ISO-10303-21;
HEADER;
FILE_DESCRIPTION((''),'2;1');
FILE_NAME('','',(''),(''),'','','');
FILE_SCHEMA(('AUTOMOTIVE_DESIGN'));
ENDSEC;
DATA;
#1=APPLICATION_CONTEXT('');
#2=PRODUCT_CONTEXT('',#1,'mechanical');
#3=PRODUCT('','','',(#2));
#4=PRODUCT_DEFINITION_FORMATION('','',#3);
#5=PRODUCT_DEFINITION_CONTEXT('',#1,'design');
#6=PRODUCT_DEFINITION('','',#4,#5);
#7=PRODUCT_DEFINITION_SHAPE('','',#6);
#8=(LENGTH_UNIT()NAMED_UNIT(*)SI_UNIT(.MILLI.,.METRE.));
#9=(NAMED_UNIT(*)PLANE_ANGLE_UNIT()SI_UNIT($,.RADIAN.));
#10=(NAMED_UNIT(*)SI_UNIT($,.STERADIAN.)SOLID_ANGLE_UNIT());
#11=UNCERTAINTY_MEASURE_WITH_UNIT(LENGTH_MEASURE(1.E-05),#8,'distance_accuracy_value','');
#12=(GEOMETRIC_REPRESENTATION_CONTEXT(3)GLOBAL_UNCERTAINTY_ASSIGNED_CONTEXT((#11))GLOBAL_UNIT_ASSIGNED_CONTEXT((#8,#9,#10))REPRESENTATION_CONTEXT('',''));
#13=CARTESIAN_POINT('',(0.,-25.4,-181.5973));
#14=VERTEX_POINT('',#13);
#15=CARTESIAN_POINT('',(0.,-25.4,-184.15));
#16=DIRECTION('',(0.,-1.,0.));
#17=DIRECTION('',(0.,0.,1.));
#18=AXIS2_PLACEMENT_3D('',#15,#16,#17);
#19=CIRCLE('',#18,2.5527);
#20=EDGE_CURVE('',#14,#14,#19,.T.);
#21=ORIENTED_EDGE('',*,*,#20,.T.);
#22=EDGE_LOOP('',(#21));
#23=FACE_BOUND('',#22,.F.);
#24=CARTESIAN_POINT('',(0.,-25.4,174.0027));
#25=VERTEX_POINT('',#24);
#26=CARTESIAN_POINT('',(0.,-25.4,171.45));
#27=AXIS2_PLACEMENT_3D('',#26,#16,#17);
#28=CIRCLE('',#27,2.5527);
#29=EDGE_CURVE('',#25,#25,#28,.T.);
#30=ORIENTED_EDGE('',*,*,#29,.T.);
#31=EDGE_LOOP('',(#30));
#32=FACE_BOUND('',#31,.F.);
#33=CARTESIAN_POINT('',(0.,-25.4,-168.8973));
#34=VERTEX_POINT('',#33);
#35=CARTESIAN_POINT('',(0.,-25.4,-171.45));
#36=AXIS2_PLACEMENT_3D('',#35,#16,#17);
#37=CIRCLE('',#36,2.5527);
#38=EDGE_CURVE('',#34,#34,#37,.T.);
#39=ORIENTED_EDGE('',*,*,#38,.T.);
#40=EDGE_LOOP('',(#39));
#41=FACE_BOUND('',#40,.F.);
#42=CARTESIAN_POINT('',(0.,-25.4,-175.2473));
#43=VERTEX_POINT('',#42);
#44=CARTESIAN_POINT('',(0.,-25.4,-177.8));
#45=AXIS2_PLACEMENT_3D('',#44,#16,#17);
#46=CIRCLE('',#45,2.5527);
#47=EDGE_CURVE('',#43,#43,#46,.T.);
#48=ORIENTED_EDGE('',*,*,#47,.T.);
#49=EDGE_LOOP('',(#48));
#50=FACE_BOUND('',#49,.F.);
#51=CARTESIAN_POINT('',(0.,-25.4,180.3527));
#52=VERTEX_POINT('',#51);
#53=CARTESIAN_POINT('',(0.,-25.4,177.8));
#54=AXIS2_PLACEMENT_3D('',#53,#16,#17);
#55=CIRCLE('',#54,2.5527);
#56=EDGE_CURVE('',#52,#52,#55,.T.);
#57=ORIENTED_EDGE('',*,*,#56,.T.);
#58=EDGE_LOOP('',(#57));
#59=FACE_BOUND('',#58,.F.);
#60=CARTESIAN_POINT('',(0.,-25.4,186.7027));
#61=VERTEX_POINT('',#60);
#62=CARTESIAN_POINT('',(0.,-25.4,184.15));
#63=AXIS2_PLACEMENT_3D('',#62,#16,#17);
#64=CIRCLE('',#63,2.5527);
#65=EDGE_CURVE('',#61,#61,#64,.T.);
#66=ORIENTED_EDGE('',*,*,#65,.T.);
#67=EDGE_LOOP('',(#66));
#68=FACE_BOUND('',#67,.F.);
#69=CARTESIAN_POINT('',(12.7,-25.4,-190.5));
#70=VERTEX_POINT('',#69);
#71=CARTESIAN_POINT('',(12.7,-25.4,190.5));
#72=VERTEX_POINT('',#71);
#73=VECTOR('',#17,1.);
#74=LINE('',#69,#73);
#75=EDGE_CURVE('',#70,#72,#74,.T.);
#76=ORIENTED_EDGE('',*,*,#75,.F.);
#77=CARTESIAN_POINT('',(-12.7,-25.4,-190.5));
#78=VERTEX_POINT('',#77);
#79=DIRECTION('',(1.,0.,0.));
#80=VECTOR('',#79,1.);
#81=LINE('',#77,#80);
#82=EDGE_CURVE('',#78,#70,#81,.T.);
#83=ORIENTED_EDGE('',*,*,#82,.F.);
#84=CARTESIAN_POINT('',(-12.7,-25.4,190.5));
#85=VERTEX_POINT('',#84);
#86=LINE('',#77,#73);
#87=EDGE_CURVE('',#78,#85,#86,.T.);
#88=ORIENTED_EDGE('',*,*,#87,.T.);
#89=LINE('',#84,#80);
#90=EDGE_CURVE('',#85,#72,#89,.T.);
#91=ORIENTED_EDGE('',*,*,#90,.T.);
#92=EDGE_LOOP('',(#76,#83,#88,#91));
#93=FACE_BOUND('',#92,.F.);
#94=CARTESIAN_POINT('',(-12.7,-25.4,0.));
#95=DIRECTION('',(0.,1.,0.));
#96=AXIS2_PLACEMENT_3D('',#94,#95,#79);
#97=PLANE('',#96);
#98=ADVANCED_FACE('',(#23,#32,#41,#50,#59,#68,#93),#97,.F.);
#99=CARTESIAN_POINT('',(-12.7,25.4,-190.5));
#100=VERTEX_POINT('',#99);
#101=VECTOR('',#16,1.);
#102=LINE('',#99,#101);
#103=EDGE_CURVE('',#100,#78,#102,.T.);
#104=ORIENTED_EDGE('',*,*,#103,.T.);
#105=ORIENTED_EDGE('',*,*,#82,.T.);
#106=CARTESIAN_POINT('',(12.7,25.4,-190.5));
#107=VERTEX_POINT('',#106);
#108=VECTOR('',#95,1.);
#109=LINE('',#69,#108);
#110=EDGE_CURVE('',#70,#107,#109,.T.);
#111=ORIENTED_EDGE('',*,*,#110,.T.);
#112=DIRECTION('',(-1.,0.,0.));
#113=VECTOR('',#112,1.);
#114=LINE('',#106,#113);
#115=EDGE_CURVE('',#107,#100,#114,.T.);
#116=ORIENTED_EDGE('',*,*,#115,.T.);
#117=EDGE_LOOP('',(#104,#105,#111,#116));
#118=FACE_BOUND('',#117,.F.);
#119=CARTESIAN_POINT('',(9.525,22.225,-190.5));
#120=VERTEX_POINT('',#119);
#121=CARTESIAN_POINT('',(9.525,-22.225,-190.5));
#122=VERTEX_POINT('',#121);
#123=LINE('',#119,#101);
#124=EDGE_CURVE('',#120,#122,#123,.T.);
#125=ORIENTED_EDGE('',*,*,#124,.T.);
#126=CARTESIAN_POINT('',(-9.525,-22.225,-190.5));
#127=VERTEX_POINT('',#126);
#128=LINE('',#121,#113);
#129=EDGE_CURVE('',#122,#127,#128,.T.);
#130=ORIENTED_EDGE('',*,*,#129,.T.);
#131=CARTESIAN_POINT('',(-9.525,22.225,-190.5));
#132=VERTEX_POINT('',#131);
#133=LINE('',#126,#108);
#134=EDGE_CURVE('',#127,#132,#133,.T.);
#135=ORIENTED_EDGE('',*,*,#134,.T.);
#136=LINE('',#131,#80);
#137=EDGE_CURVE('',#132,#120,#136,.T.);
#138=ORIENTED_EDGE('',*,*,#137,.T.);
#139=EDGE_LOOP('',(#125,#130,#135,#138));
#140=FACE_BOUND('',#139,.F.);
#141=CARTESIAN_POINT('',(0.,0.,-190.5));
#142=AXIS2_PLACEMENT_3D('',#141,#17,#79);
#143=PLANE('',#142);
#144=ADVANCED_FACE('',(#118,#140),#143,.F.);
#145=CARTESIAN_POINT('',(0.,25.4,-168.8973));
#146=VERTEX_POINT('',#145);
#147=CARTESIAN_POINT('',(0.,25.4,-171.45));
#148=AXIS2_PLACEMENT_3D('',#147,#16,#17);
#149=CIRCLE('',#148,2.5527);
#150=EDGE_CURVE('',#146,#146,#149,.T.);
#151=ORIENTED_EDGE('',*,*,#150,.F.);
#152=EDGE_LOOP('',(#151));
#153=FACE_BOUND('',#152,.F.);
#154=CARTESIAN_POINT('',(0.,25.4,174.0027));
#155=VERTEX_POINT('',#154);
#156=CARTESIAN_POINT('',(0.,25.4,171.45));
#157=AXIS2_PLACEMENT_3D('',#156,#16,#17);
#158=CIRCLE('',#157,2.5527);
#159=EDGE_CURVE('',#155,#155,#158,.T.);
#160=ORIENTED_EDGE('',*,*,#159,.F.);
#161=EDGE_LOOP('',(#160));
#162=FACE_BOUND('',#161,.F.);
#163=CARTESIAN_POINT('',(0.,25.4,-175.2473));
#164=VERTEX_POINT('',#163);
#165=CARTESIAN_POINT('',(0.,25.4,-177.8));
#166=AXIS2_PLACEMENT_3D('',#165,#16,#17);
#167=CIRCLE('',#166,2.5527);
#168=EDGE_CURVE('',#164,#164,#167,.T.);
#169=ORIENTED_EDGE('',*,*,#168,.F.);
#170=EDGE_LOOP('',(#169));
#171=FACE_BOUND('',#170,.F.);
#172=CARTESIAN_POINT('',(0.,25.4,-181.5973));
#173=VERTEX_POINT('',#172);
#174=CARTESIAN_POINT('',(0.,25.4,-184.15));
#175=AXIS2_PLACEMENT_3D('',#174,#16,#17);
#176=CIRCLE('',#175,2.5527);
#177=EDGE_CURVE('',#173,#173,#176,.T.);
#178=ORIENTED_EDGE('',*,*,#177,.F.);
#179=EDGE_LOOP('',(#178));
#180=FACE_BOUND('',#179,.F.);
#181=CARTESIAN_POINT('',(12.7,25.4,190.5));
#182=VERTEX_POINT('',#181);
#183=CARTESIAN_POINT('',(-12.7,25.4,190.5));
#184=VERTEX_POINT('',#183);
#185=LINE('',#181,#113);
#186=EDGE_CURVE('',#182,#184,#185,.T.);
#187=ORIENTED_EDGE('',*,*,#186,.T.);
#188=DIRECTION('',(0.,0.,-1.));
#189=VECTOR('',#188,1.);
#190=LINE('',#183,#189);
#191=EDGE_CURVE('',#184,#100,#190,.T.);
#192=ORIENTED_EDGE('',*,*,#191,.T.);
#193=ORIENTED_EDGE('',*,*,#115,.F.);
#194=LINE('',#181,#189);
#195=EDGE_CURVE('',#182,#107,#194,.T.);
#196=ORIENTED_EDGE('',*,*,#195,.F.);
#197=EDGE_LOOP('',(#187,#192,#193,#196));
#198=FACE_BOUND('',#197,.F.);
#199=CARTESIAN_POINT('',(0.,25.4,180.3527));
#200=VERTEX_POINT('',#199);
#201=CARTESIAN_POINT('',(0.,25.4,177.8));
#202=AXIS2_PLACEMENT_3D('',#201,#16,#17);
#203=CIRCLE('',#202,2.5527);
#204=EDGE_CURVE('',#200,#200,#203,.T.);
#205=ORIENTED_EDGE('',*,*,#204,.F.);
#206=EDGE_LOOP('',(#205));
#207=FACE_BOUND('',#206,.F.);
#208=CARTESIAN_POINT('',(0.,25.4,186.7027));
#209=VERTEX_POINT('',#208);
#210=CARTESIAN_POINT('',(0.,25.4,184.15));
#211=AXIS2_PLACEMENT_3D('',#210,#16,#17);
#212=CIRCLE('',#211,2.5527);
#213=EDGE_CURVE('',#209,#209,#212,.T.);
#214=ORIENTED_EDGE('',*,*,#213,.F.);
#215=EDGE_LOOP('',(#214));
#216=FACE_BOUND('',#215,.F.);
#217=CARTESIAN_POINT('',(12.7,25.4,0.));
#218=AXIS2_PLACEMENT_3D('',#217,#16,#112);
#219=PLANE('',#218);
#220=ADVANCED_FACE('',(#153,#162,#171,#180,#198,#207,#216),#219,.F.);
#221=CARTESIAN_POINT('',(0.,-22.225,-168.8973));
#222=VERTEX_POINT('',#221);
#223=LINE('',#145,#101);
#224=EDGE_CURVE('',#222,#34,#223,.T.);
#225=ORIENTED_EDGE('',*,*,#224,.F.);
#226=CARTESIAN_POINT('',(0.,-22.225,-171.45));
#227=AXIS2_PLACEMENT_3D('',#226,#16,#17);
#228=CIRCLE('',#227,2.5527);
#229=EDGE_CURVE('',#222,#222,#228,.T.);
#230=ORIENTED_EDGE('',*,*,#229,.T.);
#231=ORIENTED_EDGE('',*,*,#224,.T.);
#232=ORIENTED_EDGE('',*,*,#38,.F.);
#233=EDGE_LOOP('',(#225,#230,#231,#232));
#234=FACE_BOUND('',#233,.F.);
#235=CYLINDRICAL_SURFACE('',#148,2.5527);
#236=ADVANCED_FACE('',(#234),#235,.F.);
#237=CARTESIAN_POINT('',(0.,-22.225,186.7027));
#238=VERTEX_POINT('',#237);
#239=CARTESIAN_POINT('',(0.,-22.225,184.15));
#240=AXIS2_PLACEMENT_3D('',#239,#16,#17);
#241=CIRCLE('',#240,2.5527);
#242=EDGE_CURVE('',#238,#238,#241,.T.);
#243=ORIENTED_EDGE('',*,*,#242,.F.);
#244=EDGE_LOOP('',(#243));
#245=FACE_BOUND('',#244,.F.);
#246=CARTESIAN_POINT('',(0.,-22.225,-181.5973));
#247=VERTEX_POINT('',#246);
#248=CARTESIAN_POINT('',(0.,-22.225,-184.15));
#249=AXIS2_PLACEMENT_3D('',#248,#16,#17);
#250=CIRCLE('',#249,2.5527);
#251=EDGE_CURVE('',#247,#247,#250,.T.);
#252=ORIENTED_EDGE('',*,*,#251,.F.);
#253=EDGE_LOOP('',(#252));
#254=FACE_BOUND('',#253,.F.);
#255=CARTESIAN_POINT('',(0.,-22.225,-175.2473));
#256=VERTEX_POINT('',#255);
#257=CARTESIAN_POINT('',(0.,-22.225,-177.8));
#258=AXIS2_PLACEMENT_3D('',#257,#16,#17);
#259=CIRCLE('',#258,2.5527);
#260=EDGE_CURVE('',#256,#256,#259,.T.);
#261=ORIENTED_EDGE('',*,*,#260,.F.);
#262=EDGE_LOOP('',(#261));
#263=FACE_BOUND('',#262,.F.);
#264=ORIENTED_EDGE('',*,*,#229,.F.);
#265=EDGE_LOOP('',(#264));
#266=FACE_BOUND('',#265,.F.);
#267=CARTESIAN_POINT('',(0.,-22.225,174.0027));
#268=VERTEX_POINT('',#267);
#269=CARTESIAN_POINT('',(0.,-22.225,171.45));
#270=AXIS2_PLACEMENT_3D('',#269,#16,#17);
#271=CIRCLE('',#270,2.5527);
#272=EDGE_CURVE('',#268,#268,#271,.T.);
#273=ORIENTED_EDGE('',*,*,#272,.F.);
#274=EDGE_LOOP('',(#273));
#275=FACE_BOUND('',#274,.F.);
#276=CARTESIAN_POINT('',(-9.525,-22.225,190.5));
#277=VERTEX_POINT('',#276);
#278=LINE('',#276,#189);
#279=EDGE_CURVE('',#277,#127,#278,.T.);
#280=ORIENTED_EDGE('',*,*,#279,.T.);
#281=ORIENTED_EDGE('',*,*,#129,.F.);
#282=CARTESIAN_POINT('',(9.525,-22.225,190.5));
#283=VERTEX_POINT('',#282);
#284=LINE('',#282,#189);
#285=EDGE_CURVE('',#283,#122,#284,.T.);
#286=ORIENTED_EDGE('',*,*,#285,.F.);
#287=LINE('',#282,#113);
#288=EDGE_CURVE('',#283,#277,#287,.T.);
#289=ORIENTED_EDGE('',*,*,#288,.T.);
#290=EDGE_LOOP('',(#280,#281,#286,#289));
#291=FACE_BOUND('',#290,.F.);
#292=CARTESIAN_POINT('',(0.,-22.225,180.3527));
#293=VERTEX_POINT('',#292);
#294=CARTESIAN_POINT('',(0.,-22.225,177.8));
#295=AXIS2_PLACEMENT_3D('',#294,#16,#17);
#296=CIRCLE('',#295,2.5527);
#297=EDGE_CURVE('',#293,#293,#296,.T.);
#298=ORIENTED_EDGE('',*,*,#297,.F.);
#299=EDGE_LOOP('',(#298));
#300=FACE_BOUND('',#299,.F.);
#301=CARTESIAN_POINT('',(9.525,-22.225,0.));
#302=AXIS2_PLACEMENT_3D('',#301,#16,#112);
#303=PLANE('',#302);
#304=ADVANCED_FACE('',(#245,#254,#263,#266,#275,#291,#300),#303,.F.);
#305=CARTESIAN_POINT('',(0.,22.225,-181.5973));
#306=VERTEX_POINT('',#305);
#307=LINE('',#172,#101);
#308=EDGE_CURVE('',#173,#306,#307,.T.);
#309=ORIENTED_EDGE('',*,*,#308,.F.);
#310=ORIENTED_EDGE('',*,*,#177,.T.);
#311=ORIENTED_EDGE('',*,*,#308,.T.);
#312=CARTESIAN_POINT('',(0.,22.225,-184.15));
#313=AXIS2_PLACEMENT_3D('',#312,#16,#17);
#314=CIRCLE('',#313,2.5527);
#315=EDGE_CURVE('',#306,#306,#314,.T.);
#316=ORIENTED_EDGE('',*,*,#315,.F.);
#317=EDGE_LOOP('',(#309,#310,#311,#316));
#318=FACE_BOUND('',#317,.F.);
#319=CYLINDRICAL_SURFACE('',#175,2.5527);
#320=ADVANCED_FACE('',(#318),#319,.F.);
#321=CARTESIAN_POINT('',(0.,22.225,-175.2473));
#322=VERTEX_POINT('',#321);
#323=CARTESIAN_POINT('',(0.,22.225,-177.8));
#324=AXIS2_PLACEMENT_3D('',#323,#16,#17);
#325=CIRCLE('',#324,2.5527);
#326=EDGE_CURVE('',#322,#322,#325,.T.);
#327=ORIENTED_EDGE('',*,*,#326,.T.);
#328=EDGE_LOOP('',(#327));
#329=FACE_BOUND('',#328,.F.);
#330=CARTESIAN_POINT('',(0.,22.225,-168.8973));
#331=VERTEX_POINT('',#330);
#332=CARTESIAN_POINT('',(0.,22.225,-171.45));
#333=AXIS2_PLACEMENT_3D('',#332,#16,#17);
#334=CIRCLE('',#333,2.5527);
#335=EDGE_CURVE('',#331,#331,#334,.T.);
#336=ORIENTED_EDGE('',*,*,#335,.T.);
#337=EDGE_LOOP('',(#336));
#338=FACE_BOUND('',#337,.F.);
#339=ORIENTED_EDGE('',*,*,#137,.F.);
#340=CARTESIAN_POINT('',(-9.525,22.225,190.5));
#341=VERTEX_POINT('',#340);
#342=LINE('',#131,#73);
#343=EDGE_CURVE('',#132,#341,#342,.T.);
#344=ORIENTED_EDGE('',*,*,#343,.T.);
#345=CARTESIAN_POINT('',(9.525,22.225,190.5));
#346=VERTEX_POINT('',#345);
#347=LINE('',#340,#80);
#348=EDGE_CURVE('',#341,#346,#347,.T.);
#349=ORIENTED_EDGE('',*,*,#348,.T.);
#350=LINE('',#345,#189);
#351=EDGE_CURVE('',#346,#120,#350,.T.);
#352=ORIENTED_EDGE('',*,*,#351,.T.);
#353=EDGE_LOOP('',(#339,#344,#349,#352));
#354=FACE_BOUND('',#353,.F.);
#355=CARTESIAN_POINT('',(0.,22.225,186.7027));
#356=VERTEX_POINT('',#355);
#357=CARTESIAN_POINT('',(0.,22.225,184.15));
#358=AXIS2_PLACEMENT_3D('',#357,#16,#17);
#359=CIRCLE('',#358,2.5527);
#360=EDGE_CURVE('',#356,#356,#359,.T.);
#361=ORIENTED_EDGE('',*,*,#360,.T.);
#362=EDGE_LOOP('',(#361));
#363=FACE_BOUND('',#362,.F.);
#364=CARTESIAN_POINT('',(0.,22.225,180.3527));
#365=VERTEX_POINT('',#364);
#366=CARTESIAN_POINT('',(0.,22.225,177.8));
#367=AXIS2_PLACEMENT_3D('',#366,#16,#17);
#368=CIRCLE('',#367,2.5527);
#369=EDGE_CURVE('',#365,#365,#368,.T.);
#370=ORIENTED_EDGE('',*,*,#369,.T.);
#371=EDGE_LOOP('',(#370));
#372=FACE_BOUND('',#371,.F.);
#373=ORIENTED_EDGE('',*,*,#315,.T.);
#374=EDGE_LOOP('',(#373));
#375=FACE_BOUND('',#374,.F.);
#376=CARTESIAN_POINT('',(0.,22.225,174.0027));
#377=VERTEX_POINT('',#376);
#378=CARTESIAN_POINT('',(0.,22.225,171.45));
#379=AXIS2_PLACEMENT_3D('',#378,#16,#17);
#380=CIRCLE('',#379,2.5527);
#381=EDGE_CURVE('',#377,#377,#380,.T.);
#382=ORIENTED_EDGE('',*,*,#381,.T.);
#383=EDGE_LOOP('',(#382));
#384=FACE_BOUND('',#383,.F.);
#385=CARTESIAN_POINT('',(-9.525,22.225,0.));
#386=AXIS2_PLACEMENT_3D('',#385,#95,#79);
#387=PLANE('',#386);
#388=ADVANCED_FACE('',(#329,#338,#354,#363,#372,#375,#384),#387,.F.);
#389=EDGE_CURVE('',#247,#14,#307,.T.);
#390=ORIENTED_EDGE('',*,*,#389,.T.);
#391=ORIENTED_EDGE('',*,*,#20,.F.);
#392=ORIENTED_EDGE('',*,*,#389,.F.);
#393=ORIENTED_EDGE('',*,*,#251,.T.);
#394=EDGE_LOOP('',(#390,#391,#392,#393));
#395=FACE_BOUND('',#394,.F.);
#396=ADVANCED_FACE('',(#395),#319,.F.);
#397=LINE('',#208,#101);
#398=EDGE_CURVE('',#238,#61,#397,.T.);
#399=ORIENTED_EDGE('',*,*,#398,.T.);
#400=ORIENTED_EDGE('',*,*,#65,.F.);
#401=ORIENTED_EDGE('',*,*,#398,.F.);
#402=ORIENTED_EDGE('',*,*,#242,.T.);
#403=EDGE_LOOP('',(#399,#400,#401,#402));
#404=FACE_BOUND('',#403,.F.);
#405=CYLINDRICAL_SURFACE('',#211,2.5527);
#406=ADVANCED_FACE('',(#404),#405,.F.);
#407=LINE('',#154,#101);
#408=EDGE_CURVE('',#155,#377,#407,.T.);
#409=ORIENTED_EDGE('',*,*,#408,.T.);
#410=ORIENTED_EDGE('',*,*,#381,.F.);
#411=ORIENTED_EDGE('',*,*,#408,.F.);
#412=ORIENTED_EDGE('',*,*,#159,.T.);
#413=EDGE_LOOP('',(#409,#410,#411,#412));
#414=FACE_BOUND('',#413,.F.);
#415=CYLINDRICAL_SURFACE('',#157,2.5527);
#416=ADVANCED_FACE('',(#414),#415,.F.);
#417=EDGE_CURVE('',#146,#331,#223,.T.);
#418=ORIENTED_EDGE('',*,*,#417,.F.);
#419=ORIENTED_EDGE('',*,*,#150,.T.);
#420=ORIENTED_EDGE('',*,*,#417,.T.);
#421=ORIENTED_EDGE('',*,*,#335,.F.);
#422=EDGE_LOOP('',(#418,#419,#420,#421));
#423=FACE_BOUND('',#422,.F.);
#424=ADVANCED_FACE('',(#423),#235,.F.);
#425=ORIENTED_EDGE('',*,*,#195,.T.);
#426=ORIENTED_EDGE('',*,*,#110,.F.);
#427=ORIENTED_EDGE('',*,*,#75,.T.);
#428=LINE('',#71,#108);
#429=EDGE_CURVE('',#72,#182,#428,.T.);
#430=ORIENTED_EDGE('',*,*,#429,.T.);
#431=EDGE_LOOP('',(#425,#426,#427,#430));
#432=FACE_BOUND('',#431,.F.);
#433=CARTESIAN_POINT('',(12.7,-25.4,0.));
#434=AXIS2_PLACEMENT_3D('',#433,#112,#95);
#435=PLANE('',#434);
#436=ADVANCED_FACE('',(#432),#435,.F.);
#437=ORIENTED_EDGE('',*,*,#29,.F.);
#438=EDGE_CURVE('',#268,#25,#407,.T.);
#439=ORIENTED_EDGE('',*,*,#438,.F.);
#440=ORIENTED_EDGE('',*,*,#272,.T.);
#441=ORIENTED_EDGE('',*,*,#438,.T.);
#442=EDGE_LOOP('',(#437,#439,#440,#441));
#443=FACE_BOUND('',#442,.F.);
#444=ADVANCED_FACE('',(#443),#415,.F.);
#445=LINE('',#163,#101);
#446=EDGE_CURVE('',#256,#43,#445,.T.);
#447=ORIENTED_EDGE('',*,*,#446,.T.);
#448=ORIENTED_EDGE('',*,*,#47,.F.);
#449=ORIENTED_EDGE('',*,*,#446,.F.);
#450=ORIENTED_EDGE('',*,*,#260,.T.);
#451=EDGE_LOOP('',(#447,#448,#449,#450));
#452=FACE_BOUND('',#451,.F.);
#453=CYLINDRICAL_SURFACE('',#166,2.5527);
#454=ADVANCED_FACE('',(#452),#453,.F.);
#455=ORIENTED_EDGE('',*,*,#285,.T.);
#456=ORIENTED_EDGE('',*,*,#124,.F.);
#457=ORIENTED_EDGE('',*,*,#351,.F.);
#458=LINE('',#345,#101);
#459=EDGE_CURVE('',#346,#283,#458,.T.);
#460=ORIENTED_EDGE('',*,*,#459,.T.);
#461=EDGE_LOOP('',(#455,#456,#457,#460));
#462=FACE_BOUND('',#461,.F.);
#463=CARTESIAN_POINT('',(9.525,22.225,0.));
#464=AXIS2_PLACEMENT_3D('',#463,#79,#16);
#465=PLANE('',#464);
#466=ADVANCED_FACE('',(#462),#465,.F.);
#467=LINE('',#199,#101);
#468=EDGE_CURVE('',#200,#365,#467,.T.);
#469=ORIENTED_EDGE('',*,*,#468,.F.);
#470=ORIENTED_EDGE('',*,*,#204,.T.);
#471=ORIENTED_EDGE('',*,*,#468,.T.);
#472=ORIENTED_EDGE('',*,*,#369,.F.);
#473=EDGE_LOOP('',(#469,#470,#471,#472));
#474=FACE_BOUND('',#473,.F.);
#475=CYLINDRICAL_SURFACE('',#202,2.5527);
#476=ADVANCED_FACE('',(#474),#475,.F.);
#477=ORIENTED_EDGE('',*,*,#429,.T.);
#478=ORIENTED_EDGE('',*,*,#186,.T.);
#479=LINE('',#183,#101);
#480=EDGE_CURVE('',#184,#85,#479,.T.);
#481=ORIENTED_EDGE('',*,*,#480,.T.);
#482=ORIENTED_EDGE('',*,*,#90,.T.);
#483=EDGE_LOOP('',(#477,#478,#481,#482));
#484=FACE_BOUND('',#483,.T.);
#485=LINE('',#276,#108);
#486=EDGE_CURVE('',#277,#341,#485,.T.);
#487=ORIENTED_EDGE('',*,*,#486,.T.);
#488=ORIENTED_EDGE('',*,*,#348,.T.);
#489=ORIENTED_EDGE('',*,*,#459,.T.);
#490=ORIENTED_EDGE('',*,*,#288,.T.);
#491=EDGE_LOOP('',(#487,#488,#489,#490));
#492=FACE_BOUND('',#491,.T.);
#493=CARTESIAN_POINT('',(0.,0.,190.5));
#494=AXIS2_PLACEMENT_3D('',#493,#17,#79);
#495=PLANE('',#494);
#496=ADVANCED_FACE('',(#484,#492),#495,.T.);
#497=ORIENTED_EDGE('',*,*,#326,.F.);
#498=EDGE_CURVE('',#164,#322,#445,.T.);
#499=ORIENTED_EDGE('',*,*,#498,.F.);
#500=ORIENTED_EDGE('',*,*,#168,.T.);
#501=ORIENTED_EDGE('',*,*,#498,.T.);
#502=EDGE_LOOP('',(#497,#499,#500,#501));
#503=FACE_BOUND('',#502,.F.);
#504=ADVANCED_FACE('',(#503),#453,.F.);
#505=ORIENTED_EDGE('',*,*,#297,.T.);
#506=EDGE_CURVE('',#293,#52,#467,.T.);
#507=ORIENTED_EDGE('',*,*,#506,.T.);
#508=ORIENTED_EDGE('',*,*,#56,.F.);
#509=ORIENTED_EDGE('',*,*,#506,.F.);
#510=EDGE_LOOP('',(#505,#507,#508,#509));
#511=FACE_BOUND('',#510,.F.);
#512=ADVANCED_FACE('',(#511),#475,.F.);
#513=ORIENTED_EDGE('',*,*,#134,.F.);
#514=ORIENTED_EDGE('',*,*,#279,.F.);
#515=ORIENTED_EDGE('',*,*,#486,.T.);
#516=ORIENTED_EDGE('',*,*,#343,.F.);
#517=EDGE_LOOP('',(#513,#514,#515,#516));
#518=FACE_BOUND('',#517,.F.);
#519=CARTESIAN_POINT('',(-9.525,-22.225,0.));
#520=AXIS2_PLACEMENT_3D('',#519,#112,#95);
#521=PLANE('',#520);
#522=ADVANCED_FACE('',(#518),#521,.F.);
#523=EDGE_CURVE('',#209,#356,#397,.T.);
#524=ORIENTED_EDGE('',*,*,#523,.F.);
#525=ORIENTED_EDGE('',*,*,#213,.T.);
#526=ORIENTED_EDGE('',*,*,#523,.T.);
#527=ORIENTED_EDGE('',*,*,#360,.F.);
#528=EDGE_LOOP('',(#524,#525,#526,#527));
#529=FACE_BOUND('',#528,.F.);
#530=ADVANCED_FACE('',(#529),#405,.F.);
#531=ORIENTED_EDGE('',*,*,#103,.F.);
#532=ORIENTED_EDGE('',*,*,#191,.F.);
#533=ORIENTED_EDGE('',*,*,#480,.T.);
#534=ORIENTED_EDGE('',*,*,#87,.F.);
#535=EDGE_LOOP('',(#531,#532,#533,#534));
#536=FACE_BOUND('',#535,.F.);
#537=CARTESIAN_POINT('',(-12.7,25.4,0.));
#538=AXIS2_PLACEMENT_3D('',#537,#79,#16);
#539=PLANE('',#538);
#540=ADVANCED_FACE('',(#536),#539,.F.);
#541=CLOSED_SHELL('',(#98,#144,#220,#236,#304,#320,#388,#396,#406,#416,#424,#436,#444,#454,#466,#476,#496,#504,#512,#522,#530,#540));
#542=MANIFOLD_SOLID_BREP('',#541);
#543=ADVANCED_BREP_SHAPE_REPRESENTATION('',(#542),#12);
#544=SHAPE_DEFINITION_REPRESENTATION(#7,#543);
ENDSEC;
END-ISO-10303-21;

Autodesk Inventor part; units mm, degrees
ref_plane "XY Plane" through (0, 0, 0) normal (0, 0, 1) x (1, 0, 0)
sketch "Sketch1" plane through (0, 0, 0) normal (0, 0, 1) x (1, 0, 0)
  line L0 (-12.7, -25.4) -> (12.7, -25.4)
  line L1 (12.7, -25.4) -> (12.7, 25.4)
  line L2 (12.7, 25.4) -> (-12.7, 25.4)
  line L3 (-12.7, 25.4) -> (-12.7, -25.4)
  line L4 (-12.7, -25.4) -> (12.7, 25.4) construction
  line L5 (12.7, -25.4) -> (-12.7, 25.4) construction
  line L6 (-9.525, 22.225) -> (9.525, 22.225)
  line L7 (9.525, 22.225) -> (9.525, -22.225)
  line L8 (9.525, -22.225) -> (-9.525, -22.225)
  line L9 (-9.525, -22.225) -> (-9.525, 22.225)
  point P0 (0, 0)
  dimension "width" = 25.4
  dimension "height" = 50.8
  dimension "thickness" = 3.175
extrude "Extrusion1" add sketch "Sketch1" along normal mid plane 381
sketch "Sketch2" plane through (-12.7, 25.4, 190.5) normal (0, 1, 0) x (1, 0, 0)
  line L0 (0, 381) -> (25.4, 381) projected
  line L1 (25.4, 381) -> (25.4, 0) projected
  line L2 (25.4, 0) -> (0, 0) projected
  point P0 (12.7, 190.5)
  point P1 (12.7, 374.65)
  point P2 (12.7, 368.3)
  point P3 (12.7, 361.95)
  point P4 (12.7, 6.35)
  point P5 (12.7, 12.7)
  point P6 (12.7, 19.05)
  point P7 (12.7, 0)
  dimension "d5" = 6.35
  dimension "d6" = 6.35
  dimension "d7" = 6.35
  dimension "d8" = 12.7
  dimension "d16" = 12.7
  dimension "d17" = 6.35
  dimension "d18" = 6.35
  dimension "d19" = 6.35
hole "Hole1" at (0, 25.4, -184.15) at (0, 25.4, -177.8) at (0, 25.4, -171.45) at (0, 25.4, 171.45) at (0, 25.4, 177.8) at (0, 25.4, 184.15) direction (0, -1, 0) diameter 5.1054 end through all clearance for "Flat Head Machine Screw (82)" size "#10" standard "Ansi Unified Screw Threads"
equation "\"d6\" = d5"
equation "\"d7\" = d6"
equation "\"d18\" = d17"
equation "\"d19\" = d18"
properties part number "Cl1-003" material "Aluminum 6061"
